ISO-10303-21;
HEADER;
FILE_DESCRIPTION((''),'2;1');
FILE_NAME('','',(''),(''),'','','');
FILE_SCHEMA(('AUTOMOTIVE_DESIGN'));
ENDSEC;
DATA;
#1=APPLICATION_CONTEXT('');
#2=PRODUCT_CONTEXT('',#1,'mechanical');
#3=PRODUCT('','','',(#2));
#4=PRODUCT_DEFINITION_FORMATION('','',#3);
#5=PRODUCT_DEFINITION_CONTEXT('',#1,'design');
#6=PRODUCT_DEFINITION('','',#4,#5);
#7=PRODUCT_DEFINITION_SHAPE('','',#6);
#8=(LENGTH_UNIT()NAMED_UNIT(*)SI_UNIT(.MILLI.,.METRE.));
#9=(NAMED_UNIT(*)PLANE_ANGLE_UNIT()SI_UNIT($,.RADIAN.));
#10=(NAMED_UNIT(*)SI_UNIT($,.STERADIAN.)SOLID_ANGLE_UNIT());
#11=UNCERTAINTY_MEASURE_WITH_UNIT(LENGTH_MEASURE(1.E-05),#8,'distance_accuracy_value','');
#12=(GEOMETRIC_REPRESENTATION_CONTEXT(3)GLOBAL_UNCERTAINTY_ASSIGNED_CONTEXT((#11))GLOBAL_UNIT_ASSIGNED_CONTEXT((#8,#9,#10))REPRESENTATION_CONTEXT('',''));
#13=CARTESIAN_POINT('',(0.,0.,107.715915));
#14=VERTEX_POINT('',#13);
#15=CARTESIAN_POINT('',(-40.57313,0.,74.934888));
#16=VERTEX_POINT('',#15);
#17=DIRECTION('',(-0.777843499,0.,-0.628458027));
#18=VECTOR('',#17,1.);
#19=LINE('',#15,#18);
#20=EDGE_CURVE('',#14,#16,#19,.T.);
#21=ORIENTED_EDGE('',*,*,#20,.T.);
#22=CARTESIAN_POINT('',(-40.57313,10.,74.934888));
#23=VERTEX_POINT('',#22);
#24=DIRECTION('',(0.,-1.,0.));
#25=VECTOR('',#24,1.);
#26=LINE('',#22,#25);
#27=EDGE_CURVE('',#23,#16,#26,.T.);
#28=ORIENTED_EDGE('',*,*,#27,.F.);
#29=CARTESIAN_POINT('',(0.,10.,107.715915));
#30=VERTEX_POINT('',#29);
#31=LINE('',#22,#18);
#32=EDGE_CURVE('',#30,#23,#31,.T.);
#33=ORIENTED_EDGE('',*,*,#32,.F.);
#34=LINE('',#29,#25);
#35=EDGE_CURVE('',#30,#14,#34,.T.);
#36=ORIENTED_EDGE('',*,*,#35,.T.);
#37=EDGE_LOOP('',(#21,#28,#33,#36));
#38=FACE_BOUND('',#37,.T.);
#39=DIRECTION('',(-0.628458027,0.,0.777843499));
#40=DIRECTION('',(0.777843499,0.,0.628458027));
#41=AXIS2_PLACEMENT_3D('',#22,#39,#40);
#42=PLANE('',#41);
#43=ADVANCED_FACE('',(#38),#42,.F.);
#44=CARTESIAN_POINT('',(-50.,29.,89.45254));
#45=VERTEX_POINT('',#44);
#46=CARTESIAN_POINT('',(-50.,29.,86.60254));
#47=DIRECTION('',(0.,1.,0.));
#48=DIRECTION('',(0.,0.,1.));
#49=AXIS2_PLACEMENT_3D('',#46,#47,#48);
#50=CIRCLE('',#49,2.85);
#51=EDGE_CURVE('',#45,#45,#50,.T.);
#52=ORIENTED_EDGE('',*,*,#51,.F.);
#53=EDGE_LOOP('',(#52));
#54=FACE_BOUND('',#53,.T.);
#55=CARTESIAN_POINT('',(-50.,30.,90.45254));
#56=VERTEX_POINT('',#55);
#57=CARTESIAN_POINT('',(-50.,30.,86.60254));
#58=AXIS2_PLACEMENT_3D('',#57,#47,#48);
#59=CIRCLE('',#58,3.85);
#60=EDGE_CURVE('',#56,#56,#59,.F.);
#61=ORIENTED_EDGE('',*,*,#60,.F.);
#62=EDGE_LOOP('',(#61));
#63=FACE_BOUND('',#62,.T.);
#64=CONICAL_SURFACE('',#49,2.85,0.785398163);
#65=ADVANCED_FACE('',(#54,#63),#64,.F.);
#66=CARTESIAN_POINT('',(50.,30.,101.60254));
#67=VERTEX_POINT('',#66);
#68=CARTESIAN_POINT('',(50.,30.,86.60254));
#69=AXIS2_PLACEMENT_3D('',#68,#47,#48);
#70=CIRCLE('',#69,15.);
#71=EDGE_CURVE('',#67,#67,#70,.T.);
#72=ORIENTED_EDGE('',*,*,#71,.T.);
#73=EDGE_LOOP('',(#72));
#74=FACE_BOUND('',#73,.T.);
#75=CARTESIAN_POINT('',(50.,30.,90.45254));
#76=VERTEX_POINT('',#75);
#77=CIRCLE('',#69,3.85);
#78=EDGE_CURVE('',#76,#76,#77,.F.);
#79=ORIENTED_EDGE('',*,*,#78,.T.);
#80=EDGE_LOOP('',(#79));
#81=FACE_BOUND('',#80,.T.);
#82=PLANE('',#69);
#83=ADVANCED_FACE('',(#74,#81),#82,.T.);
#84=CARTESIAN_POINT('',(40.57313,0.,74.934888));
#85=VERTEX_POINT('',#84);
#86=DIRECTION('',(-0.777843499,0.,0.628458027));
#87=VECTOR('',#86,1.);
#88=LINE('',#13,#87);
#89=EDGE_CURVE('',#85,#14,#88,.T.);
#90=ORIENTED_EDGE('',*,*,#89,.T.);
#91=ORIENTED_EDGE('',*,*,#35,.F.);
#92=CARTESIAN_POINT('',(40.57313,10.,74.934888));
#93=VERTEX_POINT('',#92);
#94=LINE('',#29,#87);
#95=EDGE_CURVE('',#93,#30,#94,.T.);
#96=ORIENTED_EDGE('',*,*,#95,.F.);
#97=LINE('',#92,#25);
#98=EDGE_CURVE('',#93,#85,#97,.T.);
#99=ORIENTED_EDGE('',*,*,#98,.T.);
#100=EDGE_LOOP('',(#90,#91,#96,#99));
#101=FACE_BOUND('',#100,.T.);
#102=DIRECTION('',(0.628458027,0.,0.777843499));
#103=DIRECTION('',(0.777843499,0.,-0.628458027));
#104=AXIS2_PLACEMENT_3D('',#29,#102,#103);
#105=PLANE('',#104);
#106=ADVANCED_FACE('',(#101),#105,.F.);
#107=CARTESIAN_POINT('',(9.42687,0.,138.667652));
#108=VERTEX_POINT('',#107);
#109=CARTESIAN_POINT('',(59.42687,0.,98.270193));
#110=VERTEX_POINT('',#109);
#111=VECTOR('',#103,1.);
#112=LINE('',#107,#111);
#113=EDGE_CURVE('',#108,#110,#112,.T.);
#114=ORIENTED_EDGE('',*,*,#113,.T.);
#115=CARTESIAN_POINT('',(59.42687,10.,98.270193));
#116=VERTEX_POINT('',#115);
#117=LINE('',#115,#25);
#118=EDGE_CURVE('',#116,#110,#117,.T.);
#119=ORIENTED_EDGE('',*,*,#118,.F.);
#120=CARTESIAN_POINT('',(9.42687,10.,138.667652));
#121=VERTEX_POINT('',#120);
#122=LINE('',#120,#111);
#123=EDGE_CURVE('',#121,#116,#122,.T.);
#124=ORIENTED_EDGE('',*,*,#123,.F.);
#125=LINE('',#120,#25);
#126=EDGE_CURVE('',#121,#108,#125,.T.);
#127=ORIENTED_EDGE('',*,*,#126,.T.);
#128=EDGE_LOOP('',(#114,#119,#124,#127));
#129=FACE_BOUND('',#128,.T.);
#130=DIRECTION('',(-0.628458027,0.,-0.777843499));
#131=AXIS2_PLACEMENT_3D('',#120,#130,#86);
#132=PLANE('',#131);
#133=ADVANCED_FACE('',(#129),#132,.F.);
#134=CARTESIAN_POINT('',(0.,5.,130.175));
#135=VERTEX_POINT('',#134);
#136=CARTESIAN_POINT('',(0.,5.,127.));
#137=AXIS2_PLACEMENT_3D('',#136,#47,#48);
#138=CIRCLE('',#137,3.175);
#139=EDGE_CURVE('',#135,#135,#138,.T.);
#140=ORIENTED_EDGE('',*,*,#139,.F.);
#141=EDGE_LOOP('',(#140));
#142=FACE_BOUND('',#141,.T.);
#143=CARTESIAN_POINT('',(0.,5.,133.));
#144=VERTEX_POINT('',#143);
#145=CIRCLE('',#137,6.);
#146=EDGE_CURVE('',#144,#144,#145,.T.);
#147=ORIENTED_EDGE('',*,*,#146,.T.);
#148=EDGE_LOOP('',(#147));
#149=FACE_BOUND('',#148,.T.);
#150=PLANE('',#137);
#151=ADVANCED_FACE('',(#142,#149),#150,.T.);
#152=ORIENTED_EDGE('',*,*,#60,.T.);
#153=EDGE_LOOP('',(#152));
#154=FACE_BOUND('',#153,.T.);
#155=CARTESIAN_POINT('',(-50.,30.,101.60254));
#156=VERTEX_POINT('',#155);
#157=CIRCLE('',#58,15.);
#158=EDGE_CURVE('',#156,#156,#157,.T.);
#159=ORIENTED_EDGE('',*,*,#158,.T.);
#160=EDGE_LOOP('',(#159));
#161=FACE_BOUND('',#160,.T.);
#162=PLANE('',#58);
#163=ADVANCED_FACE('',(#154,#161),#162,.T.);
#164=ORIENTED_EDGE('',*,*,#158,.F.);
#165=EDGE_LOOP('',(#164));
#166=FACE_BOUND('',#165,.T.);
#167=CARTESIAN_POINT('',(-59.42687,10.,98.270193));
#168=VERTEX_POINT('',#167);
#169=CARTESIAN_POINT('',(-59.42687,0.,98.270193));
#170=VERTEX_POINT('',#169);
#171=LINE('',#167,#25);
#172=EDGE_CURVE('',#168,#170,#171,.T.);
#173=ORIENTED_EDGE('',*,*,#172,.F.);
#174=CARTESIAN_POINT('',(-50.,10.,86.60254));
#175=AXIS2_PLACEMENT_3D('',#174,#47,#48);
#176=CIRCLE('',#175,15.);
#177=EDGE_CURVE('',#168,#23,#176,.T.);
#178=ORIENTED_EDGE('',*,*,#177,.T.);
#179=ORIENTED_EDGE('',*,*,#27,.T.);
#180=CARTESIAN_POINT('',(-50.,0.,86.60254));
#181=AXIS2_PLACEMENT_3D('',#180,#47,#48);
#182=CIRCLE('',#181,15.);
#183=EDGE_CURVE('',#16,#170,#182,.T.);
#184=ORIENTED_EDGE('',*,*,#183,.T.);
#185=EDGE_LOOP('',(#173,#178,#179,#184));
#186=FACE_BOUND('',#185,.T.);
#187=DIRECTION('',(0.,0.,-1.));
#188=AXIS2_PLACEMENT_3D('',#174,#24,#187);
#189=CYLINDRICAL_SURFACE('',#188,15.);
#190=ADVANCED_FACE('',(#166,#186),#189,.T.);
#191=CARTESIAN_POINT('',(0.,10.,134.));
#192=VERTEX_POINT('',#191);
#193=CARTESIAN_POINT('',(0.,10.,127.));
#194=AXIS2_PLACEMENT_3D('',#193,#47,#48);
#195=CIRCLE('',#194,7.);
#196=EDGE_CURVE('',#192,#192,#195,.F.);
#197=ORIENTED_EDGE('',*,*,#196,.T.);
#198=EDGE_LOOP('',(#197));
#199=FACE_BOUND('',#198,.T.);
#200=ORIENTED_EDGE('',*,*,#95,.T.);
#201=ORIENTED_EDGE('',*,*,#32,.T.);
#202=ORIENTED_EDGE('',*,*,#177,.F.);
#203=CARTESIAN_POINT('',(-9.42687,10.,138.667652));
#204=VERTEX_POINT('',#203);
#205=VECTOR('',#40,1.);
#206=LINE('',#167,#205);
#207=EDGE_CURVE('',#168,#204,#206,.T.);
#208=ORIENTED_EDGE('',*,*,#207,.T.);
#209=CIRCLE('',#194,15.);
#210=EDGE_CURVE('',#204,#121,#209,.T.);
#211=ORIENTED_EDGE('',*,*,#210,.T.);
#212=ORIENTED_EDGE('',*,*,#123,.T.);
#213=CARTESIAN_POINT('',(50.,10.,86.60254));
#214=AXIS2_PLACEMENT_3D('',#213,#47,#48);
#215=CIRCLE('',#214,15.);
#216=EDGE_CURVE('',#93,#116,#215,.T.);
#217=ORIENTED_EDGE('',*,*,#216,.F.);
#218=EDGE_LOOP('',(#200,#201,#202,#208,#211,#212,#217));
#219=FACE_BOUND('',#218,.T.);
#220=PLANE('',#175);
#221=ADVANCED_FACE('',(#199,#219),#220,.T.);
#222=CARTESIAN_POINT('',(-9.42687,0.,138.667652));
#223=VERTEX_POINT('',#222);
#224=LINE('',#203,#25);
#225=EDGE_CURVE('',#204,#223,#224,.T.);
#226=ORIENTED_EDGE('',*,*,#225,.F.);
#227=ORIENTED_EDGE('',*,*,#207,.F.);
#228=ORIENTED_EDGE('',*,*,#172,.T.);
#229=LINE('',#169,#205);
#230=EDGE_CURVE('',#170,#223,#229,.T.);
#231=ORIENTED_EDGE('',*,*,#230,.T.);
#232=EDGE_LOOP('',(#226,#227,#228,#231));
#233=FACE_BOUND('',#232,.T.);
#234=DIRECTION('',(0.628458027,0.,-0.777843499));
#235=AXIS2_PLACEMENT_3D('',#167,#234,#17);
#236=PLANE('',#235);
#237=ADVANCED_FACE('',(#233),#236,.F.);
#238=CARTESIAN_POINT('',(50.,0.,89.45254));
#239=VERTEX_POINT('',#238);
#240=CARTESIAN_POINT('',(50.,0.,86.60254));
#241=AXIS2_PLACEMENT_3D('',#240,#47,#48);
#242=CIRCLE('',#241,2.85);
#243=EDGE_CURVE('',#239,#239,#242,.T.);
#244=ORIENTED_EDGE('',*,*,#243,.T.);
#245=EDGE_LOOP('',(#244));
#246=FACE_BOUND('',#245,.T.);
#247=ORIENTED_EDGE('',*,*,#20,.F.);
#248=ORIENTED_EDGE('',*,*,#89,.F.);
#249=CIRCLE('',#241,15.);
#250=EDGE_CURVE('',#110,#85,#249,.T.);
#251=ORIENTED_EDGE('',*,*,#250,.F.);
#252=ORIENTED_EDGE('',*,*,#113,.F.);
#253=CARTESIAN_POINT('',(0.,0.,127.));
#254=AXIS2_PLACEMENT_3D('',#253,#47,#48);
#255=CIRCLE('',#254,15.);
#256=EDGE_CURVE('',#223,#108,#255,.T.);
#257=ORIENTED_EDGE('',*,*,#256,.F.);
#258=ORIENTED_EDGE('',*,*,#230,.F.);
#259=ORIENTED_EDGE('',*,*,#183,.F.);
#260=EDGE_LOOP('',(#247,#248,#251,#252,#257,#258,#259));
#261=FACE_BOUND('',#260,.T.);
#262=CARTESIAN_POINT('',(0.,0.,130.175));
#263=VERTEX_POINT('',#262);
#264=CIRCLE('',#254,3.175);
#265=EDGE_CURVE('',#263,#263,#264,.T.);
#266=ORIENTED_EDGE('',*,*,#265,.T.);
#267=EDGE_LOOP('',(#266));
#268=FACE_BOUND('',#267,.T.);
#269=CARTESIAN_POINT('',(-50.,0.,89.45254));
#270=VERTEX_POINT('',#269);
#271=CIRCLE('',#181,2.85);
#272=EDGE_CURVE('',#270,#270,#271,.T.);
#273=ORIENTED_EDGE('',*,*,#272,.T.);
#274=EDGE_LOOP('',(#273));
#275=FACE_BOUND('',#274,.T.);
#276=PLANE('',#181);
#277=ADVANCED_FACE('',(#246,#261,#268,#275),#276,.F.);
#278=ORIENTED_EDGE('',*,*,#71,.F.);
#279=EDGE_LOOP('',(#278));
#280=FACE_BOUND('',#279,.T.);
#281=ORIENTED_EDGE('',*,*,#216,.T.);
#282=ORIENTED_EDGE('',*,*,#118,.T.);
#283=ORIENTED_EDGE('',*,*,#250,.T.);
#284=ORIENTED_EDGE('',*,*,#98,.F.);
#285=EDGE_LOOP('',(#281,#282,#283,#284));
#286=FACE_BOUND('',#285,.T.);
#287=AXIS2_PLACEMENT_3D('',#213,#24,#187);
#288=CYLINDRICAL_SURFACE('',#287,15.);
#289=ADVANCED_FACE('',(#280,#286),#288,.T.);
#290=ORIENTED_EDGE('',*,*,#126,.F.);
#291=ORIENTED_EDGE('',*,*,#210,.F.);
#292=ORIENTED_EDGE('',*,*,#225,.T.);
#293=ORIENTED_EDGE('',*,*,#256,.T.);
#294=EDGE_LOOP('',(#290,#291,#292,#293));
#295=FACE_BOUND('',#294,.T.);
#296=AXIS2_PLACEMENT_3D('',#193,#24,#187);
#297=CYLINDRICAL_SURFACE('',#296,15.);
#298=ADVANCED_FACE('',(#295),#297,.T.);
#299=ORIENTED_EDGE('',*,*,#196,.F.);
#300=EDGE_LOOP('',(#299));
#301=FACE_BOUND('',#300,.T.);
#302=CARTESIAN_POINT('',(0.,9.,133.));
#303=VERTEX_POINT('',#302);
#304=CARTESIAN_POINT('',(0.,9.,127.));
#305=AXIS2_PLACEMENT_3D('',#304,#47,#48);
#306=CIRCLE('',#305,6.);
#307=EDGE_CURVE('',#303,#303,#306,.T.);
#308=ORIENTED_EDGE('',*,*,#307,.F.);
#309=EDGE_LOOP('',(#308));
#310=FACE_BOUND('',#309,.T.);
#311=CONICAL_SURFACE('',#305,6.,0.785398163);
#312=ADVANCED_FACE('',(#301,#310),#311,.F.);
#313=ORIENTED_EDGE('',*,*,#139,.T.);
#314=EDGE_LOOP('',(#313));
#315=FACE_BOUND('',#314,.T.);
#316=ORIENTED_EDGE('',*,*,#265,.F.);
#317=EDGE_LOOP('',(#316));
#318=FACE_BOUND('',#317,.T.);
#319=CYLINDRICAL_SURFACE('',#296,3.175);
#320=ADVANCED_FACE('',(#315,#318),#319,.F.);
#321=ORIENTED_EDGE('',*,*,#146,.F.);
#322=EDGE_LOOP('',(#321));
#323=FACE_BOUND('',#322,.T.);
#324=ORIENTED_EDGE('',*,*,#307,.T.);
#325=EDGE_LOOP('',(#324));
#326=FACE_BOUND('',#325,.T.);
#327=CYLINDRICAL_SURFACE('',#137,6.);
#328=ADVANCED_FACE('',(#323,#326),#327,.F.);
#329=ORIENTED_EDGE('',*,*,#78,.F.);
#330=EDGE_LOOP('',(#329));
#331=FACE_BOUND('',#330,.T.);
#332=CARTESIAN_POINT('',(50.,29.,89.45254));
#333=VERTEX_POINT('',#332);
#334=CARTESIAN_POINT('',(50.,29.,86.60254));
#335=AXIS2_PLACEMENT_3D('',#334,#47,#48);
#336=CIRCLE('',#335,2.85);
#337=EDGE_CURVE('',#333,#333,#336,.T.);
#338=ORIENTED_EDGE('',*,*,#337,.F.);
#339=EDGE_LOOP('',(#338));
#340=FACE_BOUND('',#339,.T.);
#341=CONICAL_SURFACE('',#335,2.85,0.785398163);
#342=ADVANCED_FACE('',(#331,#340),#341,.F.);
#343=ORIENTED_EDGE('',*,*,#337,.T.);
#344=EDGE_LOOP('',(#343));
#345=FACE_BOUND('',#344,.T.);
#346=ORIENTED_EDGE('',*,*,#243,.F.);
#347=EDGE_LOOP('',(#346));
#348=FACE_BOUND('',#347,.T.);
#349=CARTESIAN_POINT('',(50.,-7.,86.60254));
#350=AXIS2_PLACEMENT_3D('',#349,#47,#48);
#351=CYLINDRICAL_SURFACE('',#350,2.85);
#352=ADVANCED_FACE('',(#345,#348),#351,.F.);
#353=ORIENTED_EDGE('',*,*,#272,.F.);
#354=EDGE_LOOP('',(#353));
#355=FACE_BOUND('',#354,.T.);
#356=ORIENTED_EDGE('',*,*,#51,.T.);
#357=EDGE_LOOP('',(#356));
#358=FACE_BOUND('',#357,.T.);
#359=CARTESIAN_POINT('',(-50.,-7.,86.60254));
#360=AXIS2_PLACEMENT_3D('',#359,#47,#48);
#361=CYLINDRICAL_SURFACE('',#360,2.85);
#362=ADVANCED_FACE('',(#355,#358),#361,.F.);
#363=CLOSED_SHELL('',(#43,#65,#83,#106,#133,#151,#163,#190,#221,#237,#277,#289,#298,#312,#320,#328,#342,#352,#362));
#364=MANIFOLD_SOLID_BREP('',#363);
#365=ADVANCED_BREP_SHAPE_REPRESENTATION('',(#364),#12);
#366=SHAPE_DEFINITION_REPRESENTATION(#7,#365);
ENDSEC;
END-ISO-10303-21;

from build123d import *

# Parameters (mm, degrees)
SKETCH10_R          = 3.175
BOSS_EXTRUDE4_DEPTH = 10
SKETCH11_R          = 15
BOSS_EXTRUDE5_DEPTH = 20
SKETCH12_R          = 2.85
CUT_EXTRUDE4_DEPTH  = 37
SKETCH13_R          = 6
CUT_EXTRUDE5_DEPTH  = 5
CHAMFER2_SIZE       = 1


with BuildPart() as part:
    # Sketch10 → Boss-Extrude4 (new body)
    with BuildSketch(Plane(origin=(0, 0, 0), x_dir=(1, 0, 0), z_dir=(0, 1, 0))):
        with BuildLine():
            Line((-40.573129599, -74.934887896), (0, -107.71591519))
            Line((0, -107.71591519), (40.573129599, -74.934887896))
            ThreePointArc((40.573129599, -74.934887896), (61.667652482, -77.175669978), (59.426870401, -98.270192861))
            Line((59.426870401, -98.270192861), (9.426870401, -138.667652482))
            ThreePointArc((9.426870401, -138.667652482), (0, -142), (-9.426870401, -138.667652482))
            Line((-9.426870401, -138.667652482), (-59.426870401, -98.270192861))
            ThreePointArc((-59.426870401, -98.270192861), (-61.667652482, -77.175669978), (-40.573129599, -74.934887896))
        make_face()
        with Locations((0, -127)):
            Circle(SKETCH10_R, mode=Mode.SUBTRACT)
    extrude(amount=BOSS_EXTRUDE4_DEPTH)

    # Sketch11 → Boss-Extrude5 (add)
    with BuildSketch(Plane(origin=(0, 10, 0), x_dir=(1, 0, 0), z_dir=(0, 1, 0))):
        with Locations((-50, -86.602540378)):
            Circle(SKETCH11_R)
        with Locations((50, -86.602540378)):
            Circle(SKETCH11_R)
    extrude(amount=BOSS_EXTRUDE5_DEPTH)

    # Sketch12 → Cut-Extrude4 (cut)
    with BuildSketch(Plane(origin=(0, 30, 0), x_dir=(1, 0, 0), z_dir=(0, 1, 0))):
        with Locations((-50, -86.602540378)):
            Circle(SKETCH12_R)
        with Locations((50, -86.602540378)):
            Circle(SKETCH12_R)
    extrude(amount=-CUT_EXTRUDE4_DEPTH, mode=Mode.SUBTRACT)

    # Sketch13 → Cut-Extrude5 (cut)
    with BuildSketch(Plane(origin=(0, 10, 0), x_dir=(1, 0, 0), z_dir=(0, 1, 0))):
        with Locations((0, -127)):
            Circle(SKETCH13_R)
    extrude(amount=-CUT_EXTRUDE5_DEPTH, mode=Mode.SUBTRACT)

    # Chamfer2
    chamfer2_edges = [part.edges().sort_by_distance(p)[0] for p in [
        (-52.85, 30, 86.602540378),
        (47.15, 30, 86.602540378),
        (-6, 10, 127),
    ]]
    chamfer(chamfer2_edges, length=CHAMFER2_SIZE)


solid = part.part
